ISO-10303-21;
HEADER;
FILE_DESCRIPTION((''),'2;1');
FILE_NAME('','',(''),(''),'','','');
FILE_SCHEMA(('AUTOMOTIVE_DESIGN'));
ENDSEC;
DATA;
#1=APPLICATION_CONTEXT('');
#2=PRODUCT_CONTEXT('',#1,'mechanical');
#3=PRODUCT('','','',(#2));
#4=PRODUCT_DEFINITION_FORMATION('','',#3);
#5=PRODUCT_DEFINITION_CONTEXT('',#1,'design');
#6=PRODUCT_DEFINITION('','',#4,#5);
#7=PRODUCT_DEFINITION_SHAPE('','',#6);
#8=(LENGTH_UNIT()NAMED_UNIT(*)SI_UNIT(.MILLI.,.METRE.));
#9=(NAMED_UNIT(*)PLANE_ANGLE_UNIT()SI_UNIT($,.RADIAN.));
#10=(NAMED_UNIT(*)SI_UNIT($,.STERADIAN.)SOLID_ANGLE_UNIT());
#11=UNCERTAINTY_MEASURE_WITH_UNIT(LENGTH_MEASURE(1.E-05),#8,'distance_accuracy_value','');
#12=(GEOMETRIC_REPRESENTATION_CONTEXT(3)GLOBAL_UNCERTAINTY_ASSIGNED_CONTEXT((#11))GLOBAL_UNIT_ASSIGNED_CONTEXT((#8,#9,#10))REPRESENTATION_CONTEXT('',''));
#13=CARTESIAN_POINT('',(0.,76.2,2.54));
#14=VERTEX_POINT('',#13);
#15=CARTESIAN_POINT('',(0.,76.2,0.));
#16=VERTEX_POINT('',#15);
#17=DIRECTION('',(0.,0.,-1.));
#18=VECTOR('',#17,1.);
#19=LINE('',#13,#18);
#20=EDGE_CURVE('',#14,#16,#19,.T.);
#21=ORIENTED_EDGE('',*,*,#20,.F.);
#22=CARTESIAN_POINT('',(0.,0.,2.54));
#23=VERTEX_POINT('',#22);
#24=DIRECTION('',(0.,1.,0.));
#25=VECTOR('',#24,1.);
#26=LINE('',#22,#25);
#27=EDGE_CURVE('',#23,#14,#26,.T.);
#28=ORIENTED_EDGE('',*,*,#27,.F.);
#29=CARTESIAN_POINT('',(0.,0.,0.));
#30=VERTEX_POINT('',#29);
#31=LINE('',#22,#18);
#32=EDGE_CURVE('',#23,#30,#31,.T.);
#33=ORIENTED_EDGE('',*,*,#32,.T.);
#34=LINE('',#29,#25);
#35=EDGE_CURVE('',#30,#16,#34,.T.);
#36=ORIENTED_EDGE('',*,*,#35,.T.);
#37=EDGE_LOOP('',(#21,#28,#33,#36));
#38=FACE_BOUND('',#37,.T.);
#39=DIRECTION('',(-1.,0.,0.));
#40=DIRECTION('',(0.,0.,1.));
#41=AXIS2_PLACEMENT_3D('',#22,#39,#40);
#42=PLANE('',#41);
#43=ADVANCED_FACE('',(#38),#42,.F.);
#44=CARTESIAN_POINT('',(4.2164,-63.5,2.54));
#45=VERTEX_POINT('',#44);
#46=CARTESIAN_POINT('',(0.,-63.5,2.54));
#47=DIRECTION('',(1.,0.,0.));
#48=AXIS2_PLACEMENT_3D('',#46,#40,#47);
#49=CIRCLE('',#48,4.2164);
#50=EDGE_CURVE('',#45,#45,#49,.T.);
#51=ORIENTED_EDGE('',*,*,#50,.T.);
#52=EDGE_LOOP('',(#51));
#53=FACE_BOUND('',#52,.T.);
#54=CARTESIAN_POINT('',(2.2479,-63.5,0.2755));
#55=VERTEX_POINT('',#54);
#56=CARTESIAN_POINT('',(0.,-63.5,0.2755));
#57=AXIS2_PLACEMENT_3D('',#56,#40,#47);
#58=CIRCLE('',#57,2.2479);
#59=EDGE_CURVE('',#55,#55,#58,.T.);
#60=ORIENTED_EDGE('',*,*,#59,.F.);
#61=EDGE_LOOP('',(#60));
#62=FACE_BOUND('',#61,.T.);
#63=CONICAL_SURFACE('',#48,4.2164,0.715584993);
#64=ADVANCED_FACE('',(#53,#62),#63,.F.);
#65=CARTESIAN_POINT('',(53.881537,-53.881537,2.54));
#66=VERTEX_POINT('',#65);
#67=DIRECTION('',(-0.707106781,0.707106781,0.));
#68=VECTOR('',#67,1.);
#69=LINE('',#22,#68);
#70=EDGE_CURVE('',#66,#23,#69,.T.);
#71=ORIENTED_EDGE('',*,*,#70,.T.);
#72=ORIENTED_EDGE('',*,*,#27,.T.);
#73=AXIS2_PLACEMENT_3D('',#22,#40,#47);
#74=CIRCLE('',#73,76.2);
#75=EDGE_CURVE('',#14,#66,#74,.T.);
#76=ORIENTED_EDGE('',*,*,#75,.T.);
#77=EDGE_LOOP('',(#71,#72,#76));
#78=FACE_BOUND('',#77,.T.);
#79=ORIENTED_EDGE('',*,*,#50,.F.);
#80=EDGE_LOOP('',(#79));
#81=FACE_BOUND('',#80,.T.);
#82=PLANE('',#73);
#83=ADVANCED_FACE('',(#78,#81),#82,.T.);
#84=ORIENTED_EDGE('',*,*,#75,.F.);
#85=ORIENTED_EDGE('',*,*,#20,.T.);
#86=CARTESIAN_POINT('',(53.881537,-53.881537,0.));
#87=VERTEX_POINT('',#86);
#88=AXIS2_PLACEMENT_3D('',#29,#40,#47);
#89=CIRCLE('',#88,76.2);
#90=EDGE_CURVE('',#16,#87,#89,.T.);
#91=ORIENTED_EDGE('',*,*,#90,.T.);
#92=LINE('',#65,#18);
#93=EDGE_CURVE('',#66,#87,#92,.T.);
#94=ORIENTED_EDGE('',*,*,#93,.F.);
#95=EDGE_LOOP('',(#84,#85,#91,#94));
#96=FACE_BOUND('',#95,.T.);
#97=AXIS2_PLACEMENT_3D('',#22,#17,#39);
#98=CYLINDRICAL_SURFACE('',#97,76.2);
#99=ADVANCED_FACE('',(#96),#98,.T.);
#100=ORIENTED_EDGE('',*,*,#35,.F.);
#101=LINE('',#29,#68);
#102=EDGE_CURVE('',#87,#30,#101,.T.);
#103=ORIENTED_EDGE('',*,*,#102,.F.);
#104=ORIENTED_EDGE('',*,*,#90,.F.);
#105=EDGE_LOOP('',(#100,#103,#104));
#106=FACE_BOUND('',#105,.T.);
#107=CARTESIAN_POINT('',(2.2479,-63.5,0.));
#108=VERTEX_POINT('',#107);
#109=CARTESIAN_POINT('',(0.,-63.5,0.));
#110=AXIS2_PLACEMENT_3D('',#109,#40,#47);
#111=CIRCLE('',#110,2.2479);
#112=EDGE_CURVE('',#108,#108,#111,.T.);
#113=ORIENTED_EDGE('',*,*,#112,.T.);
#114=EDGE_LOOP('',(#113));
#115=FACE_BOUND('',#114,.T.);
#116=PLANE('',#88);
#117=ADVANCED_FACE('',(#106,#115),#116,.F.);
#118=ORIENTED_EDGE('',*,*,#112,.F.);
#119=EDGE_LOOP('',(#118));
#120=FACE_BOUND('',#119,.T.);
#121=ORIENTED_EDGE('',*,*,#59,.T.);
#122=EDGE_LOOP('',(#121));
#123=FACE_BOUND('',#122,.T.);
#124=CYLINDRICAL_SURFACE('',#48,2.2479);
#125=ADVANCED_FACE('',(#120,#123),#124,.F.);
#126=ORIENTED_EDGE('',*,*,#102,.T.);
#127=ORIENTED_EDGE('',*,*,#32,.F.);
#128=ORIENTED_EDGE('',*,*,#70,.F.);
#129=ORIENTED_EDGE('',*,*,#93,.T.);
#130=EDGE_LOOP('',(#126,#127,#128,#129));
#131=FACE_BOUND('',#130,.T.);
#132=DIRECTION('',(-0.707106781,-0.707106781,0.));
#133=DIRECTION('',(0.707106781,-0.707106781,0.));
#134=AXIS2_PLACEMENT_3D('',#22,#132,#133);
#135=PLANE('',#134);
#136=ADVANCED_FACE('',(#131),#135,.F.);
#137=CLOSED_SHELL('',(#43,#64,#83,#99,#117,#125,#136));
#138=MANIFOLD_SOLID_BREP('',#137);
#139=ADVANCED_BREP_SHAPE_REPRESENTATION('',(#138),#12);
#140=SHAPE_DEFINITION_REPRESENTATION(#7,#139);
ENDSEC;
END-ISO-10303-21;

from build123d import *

# Parameters (mm, degrees)
BOSS_EXTRUDE1_DEPTH = 2.54


with BuildPart() as part:
    # Sketch1 → Boss-Extrude1 (new body)
    with BuildSketch(Plane.XY):
        with BuildLine():
            Line((0, 0), (53.881536726, -53.881536726))
            ThreePointArc((53.881536726, -53.881536726), (-70.399620377, -29.160477546), (0, 76.2))
            Line((0, 76.2), (0, 0))
        make_face()
    extrude(amount=BOSS_EXTRUDE1_DEPTH)

    # Sketch3 → CSK for #8 Flat Head Machine Screw1 (revolve, cut)
    with BuildSketch(Plane(origin=(0, -63.5, 2.54), x_dir=(0, -1, 0), z_dir=(1, 0, 0))):
        Polygon((0, 0), (0, 2.54), (2.2479, 2.54), (2.2479, 2.26450021), (4.2164, 0), align=None)
    revolve(axis=Axis((0, -63.5, 8.89), (0, 0, -1)), mode=Mode.SUBTRACT)


solid = part.part
